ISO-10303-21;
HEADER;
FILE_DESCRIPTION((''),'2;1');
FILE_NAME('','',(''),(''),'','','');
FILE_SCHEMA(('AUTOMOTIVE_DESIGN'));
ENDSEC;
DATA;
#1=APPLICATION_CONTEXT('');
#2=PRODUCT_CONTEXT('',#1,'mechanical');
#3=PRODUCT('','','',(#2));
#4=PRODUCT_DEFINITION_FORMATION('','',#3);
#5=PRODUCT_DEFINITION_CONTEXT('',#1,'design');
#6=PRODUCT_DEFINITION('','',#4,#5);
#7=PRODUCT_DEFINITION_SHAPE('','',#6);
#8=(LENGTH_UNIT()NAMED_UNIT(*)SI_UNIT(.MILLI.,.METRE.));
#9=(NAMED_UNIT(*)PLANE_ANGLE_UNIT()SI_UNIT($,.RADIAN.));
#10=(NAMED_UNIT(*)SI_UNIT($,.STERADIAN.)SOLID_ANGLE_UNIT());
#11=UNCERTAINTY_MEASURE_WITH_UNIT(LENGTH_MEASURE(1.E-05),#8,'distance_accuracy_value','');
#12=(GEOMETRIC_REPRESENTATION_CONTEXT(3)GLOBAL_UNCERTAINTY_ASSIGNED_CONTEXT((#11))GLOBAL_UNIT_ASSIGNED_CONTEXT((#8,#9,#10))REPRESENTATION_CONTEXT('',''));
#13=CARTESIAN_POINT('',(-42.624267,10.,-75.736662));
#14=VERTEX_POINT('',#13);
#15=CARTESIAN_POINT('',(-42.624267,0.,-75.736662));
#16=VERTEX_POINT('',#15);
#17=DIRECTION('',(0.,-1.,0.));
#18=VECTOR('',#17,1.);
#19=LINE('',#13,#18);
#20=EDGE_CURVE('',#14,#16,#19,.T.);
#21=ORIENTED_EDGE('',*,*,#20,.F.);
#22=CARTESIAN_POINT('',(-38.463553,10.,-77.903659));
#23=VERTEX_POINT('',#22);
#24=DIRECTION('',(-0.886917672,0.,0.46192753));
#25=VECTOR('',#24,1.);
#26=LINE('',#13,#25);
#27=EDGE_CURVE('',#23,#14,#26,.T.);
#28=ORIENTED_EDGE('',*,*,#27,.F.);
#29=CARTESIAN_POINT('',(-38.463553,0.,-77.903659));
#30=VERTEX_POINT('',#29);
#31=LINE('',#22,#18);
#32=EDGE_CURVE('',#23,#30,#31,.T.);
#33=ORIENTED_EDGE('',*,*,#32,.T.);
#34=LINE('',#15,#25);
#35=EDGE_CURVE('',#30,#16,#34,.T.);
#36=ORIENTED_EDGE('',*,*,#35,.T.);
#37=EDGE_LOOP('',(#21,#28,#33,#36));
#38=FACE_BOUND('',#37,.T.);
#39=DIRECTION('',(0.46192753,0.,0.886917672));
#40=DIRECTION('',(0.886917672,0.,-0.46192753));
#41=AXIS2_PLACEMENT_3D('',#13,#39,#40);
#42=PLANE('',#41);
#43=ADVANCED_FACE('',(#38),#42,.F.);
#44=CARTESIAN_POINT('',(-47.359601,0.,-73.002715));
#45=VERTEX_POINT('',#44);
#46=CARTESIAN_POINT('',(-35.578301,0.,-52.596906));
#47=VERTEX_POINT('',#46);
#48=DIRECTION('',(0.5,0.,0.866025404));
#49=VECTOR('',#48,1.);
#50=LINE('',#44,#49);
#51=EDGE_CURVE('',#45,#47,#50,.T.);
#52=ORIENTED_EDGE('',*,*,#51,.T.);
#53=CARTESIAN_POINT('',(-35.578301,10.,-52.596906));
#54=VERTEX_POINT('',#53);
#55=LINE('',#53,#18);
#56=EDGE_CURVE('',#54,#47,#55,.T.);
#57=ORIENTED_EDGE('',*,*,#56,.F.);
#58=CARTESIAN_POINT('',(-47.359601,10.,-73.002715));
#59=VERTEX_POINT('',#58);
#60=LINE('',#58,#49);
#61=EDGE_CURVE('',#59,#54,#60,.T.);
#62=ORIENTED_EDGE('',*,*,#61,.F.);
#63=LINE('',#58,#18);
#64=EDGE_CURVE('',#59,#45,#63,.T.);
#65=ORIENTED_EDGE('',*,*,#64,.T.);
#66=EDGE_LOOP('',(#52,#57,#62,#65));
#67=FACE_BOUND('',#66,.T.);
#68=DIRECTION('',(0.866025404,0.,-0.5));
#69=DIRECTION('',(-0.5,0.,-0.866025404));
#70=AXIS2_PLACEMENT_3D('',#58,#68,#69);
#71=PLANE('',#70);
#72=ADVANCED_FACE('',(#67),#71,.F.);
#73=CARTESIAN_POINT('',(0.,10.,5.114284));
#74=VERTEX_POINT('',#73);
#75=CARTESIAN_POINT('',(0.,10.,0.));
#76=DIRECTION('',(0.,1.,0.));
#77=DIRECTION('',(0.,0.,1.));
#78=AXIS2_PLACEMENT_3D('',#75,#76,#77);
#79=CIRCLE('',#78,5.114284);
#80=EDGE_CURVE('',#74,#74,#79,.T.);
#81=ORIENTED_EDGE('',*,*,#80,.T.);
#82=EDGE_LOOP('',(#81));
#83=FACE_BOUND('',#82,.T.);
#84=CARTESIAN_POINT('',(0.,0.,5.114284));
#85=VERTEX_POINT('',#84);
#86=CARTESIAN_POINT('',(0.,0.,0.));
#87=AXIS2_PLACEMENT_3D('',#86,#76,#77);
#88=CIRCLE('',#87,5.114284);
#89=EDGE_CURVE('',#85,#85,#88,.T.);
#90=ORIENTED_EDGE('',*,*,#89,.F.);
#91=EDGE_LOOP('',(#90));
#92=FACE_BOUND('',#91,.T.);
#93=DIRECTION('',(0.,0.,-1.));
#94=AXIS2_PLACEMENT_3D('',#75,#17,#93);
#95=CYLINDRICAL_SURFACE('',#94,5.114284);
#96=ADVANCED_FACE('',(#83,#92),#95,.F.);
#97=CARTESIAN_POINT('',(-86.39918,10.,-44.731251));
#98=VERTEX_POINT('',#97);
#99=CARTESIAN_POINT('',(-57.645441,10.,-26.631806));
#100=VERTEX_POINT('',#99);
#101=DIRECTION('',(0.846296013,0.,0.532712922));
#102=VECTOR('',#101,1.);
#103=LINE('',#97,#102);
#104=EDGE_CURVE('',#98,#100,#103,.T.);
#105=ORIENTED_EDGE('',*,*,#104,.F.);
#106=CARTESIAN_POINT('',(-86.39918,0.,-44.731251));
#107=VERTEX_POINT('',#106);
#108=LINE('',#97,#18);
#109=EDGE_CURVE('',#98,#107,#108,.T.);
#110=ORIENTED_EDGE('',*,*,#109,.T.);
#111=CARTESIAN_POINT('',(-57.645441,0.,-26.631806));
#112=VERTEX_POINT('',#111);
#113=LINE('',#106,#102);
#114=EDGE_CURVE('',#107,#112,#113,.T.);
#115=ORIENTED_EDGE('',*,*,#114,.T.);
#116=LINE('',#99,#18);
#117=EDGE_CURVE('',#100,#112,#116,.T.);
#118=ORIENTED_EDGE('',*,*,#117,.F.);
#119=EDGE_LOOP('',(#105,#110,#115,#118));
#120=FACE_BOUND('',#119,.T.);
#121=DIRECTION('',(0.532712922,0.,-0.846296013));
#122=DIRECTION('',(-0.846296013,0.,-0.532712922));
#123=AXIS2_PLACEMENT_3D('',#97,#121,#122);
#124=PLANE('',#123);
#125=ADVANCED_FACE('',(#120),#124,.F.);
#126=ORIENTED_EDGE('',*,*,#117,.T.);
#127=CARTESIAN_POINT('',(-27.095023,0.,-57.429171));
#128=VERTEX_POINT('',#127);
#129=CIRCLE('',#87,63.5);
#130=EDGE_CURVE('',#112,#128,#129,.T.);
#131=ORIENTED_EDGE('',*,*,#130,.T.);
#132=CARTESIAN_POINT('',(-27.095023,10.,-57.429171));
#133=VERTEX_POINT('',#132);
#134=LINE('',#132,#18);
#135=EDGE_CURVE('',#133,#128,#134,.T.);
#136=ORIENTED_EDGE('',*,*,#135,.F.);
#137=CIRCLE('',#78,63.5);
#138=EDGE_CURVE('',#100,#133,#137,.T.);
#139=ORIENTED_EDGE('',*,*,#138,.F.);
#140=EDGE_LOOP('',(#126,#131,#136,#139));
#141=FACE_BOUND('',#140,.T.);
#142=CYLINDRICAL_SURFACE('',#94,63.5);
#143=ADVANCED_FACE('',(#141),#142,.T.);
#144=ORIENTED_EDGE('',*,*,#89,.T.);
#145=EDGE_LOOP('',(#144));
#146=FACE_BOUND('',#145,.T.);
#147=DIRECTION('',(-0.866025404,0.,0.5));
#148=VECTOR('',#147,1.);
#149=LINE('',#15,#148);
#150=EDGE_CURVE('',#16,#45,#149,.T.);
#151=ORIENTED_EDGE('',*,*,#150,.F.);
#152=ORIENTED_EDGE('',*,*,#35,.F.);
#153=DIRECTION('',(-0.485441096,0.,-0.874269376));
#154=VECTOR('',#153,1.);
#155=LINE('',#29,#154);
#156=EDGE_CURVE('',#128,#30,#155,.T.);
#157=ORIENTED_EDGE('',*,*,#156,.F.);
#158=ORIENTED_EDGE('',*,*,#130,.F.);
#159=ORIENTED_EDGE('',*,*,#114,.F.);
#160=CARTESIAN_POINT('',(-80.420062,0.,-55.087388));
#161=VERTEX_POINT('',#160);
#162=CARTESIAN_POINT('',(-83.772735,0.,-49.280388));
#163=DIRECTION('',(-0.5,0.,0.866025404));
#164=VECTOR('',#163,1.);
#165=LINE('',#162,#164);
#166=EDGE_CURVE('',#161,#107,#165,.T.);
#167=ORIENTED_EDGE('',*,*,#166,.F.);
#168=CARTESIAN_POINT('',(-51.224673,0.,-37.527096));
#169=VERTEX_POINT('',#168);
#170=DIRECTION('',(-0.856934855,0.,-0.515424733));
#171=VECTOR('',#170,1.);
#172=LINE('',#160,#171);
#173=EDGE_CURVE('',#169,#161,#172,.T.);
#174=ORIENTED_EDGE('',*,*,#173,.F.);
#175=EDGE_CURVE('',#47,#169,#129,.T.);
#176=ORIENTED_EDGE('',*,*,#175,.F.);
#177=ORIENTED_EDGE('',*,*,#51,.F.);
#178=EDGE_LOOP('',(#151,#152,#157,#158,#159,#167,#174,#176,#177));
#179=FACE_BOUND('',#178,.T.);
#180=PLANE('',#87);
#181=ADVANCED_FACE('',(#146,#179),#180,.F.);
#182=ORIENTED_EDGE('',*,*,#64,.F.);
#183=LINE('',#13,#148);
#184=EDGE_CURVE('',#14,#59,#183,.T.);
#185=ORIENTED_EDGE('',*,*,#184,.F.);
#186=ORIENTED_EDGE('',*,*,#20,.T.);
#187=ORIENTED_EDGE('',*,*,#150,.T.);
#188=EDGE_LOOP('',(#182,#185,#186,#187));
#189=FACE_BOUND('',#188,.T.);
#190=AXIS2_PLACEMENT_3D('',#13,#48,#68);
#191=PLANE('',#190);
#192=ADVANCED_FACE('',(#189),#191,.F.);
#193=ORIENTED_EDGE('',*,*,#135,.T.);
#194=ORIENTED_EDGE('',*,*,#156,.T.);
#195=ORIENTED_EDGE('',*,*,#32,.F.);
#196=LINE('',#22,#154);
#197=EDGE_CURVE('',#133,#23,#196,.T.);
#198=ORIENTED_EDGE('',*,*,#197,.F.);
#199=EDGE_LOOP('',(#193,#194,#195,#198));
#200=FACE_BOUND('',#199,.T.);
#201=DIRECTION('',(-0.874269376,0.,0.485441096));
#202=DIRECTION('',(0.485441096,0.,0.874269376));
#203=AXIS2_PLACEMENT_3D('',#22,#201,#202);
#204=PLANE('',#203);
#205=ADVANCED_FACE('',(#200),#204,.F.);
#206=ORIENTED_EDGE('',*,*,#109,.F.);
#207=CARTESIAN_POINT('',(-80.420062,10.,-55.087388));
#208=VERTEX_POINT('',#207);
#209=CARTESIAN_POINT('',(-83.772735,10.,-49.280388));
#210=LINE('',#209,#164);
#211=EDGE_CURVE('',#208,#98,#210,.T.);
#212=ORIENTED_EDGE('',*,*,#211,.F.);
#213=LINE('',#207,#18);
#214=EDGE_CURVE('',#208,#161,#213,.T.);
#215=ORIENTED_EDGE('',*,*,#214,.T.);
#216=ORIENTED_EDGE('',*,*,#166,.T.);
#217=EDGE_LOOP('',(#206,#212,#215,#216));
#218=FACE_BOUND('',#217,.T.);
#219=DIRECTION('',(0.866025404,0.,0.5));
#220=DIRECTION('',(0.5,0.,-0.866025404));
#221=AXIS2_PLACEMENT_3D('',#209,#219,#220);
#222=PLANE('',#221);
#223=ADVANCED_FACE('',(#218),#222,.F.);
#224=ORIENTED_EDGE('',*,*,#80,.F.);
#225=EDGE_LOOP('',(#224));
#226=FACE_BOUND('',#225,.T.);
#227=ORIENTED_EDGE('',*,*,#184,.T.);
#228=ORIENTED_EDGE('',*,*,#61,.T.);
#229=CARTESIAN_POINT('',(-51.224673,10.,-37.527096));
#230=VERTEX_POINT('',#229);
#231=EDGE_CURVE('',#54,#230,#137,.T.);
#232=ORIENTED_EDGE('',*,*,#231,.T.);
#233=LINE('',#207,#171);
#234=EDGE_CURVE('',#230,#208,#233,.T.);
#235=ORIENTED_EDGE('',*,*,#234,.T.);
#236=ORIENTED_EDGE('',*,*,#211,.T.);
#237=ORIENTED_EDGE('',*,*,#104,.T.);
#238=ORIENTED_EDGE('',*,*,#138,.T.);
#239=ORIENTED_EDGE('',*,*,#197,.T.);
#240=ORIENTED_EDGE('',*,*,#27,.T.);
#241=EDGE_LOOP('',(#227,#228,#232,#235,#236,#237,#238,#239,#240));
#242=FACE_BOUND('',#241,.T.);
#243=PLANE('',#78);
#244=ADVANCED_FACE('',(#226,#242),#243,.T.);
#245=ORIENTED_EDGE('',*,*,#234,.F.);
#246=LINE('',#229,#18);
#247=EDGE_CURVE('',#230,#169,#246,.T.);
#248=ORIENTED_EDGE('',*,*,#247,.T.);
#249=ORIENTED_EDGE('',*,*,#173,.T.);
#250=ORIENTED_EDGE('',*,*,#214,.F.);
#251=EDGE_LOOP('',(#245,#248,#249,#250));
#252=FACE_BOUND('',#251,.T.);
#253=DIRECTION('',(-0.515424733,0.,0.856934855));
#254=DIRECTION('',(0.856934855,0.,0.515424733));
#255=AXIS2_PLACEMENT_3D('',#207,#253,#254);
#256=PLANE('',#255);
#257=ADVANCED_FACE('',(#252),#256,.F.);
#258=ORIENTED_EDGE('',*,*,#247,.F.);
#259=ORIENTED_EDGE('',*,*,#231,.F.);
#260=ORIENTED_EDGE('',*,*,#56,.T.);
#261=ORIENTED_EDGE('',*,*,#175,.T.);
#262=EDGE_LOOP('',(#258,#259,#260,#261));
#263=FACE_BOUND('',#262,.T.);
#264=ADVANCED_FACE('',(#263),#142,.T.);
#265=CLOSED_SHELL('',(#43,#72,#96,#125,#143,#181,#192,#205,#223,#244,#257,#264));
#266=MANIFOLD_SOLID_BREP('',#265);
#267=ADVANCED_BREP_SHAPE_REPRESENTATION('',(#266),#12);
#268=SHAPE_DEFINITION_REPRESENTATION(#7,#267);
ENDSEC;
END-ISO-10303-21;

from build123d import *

# Parameters (mm, degrees)
SKETCH_1_R      = 5.114284372
EXTRUDE_1_DEPTH = 10


with BuildPart() as part:
    # 草图1 → 凸台-拉伸1 (new body)
    with BuildSketch(Plane(origin=(0, 0, 0), x_dir=(1, 0, 0), z_dir=(0, 1, 0))):
        with BuildLine():
            Line((-83.772735406, 49.280387531), (-86.399180334, 44.731251472))
            Line((-86.399180334, 44.731251472), (-57.64544126, 26.631806208))
            ThreePointArc((-57.64544126, 26.631806208), (45.081659194, -44.720174467), (-27.095022974, 57.429171421))
            Line((-27.095022974, 57.429171421), (-38.463553205, 77.903659286))
            Line((-38.463553205, 77.903659286), (-42.624266956, 75.73666196))
            Line((-42.624266956, 75.73666196), (-47.35960117, 73.002715477))
            Line((-47.35960117, 73.002715477), (-35.578301324, 52.596905564))
            ThreePointArc((-35.578301324, 52.596905564), (-44.050696451, 45.736048607), (-51.224672516, 37.527095886))
            Line((-51.224672516, 37.527095886), (-80.420062365, 55.08738758))
            Line((-80.420062365, 55.08738758), (-83.772735406, 49.280387531))
        make_face()
        with Locations(Location((0, 0, 0), (0, 0, 270))):
            Circle(SKETCH_1_R, mode=Mode.SUBTRACT)
    extrude(amount=EXTRUDE_1_DEPTH)


solid = part.part
